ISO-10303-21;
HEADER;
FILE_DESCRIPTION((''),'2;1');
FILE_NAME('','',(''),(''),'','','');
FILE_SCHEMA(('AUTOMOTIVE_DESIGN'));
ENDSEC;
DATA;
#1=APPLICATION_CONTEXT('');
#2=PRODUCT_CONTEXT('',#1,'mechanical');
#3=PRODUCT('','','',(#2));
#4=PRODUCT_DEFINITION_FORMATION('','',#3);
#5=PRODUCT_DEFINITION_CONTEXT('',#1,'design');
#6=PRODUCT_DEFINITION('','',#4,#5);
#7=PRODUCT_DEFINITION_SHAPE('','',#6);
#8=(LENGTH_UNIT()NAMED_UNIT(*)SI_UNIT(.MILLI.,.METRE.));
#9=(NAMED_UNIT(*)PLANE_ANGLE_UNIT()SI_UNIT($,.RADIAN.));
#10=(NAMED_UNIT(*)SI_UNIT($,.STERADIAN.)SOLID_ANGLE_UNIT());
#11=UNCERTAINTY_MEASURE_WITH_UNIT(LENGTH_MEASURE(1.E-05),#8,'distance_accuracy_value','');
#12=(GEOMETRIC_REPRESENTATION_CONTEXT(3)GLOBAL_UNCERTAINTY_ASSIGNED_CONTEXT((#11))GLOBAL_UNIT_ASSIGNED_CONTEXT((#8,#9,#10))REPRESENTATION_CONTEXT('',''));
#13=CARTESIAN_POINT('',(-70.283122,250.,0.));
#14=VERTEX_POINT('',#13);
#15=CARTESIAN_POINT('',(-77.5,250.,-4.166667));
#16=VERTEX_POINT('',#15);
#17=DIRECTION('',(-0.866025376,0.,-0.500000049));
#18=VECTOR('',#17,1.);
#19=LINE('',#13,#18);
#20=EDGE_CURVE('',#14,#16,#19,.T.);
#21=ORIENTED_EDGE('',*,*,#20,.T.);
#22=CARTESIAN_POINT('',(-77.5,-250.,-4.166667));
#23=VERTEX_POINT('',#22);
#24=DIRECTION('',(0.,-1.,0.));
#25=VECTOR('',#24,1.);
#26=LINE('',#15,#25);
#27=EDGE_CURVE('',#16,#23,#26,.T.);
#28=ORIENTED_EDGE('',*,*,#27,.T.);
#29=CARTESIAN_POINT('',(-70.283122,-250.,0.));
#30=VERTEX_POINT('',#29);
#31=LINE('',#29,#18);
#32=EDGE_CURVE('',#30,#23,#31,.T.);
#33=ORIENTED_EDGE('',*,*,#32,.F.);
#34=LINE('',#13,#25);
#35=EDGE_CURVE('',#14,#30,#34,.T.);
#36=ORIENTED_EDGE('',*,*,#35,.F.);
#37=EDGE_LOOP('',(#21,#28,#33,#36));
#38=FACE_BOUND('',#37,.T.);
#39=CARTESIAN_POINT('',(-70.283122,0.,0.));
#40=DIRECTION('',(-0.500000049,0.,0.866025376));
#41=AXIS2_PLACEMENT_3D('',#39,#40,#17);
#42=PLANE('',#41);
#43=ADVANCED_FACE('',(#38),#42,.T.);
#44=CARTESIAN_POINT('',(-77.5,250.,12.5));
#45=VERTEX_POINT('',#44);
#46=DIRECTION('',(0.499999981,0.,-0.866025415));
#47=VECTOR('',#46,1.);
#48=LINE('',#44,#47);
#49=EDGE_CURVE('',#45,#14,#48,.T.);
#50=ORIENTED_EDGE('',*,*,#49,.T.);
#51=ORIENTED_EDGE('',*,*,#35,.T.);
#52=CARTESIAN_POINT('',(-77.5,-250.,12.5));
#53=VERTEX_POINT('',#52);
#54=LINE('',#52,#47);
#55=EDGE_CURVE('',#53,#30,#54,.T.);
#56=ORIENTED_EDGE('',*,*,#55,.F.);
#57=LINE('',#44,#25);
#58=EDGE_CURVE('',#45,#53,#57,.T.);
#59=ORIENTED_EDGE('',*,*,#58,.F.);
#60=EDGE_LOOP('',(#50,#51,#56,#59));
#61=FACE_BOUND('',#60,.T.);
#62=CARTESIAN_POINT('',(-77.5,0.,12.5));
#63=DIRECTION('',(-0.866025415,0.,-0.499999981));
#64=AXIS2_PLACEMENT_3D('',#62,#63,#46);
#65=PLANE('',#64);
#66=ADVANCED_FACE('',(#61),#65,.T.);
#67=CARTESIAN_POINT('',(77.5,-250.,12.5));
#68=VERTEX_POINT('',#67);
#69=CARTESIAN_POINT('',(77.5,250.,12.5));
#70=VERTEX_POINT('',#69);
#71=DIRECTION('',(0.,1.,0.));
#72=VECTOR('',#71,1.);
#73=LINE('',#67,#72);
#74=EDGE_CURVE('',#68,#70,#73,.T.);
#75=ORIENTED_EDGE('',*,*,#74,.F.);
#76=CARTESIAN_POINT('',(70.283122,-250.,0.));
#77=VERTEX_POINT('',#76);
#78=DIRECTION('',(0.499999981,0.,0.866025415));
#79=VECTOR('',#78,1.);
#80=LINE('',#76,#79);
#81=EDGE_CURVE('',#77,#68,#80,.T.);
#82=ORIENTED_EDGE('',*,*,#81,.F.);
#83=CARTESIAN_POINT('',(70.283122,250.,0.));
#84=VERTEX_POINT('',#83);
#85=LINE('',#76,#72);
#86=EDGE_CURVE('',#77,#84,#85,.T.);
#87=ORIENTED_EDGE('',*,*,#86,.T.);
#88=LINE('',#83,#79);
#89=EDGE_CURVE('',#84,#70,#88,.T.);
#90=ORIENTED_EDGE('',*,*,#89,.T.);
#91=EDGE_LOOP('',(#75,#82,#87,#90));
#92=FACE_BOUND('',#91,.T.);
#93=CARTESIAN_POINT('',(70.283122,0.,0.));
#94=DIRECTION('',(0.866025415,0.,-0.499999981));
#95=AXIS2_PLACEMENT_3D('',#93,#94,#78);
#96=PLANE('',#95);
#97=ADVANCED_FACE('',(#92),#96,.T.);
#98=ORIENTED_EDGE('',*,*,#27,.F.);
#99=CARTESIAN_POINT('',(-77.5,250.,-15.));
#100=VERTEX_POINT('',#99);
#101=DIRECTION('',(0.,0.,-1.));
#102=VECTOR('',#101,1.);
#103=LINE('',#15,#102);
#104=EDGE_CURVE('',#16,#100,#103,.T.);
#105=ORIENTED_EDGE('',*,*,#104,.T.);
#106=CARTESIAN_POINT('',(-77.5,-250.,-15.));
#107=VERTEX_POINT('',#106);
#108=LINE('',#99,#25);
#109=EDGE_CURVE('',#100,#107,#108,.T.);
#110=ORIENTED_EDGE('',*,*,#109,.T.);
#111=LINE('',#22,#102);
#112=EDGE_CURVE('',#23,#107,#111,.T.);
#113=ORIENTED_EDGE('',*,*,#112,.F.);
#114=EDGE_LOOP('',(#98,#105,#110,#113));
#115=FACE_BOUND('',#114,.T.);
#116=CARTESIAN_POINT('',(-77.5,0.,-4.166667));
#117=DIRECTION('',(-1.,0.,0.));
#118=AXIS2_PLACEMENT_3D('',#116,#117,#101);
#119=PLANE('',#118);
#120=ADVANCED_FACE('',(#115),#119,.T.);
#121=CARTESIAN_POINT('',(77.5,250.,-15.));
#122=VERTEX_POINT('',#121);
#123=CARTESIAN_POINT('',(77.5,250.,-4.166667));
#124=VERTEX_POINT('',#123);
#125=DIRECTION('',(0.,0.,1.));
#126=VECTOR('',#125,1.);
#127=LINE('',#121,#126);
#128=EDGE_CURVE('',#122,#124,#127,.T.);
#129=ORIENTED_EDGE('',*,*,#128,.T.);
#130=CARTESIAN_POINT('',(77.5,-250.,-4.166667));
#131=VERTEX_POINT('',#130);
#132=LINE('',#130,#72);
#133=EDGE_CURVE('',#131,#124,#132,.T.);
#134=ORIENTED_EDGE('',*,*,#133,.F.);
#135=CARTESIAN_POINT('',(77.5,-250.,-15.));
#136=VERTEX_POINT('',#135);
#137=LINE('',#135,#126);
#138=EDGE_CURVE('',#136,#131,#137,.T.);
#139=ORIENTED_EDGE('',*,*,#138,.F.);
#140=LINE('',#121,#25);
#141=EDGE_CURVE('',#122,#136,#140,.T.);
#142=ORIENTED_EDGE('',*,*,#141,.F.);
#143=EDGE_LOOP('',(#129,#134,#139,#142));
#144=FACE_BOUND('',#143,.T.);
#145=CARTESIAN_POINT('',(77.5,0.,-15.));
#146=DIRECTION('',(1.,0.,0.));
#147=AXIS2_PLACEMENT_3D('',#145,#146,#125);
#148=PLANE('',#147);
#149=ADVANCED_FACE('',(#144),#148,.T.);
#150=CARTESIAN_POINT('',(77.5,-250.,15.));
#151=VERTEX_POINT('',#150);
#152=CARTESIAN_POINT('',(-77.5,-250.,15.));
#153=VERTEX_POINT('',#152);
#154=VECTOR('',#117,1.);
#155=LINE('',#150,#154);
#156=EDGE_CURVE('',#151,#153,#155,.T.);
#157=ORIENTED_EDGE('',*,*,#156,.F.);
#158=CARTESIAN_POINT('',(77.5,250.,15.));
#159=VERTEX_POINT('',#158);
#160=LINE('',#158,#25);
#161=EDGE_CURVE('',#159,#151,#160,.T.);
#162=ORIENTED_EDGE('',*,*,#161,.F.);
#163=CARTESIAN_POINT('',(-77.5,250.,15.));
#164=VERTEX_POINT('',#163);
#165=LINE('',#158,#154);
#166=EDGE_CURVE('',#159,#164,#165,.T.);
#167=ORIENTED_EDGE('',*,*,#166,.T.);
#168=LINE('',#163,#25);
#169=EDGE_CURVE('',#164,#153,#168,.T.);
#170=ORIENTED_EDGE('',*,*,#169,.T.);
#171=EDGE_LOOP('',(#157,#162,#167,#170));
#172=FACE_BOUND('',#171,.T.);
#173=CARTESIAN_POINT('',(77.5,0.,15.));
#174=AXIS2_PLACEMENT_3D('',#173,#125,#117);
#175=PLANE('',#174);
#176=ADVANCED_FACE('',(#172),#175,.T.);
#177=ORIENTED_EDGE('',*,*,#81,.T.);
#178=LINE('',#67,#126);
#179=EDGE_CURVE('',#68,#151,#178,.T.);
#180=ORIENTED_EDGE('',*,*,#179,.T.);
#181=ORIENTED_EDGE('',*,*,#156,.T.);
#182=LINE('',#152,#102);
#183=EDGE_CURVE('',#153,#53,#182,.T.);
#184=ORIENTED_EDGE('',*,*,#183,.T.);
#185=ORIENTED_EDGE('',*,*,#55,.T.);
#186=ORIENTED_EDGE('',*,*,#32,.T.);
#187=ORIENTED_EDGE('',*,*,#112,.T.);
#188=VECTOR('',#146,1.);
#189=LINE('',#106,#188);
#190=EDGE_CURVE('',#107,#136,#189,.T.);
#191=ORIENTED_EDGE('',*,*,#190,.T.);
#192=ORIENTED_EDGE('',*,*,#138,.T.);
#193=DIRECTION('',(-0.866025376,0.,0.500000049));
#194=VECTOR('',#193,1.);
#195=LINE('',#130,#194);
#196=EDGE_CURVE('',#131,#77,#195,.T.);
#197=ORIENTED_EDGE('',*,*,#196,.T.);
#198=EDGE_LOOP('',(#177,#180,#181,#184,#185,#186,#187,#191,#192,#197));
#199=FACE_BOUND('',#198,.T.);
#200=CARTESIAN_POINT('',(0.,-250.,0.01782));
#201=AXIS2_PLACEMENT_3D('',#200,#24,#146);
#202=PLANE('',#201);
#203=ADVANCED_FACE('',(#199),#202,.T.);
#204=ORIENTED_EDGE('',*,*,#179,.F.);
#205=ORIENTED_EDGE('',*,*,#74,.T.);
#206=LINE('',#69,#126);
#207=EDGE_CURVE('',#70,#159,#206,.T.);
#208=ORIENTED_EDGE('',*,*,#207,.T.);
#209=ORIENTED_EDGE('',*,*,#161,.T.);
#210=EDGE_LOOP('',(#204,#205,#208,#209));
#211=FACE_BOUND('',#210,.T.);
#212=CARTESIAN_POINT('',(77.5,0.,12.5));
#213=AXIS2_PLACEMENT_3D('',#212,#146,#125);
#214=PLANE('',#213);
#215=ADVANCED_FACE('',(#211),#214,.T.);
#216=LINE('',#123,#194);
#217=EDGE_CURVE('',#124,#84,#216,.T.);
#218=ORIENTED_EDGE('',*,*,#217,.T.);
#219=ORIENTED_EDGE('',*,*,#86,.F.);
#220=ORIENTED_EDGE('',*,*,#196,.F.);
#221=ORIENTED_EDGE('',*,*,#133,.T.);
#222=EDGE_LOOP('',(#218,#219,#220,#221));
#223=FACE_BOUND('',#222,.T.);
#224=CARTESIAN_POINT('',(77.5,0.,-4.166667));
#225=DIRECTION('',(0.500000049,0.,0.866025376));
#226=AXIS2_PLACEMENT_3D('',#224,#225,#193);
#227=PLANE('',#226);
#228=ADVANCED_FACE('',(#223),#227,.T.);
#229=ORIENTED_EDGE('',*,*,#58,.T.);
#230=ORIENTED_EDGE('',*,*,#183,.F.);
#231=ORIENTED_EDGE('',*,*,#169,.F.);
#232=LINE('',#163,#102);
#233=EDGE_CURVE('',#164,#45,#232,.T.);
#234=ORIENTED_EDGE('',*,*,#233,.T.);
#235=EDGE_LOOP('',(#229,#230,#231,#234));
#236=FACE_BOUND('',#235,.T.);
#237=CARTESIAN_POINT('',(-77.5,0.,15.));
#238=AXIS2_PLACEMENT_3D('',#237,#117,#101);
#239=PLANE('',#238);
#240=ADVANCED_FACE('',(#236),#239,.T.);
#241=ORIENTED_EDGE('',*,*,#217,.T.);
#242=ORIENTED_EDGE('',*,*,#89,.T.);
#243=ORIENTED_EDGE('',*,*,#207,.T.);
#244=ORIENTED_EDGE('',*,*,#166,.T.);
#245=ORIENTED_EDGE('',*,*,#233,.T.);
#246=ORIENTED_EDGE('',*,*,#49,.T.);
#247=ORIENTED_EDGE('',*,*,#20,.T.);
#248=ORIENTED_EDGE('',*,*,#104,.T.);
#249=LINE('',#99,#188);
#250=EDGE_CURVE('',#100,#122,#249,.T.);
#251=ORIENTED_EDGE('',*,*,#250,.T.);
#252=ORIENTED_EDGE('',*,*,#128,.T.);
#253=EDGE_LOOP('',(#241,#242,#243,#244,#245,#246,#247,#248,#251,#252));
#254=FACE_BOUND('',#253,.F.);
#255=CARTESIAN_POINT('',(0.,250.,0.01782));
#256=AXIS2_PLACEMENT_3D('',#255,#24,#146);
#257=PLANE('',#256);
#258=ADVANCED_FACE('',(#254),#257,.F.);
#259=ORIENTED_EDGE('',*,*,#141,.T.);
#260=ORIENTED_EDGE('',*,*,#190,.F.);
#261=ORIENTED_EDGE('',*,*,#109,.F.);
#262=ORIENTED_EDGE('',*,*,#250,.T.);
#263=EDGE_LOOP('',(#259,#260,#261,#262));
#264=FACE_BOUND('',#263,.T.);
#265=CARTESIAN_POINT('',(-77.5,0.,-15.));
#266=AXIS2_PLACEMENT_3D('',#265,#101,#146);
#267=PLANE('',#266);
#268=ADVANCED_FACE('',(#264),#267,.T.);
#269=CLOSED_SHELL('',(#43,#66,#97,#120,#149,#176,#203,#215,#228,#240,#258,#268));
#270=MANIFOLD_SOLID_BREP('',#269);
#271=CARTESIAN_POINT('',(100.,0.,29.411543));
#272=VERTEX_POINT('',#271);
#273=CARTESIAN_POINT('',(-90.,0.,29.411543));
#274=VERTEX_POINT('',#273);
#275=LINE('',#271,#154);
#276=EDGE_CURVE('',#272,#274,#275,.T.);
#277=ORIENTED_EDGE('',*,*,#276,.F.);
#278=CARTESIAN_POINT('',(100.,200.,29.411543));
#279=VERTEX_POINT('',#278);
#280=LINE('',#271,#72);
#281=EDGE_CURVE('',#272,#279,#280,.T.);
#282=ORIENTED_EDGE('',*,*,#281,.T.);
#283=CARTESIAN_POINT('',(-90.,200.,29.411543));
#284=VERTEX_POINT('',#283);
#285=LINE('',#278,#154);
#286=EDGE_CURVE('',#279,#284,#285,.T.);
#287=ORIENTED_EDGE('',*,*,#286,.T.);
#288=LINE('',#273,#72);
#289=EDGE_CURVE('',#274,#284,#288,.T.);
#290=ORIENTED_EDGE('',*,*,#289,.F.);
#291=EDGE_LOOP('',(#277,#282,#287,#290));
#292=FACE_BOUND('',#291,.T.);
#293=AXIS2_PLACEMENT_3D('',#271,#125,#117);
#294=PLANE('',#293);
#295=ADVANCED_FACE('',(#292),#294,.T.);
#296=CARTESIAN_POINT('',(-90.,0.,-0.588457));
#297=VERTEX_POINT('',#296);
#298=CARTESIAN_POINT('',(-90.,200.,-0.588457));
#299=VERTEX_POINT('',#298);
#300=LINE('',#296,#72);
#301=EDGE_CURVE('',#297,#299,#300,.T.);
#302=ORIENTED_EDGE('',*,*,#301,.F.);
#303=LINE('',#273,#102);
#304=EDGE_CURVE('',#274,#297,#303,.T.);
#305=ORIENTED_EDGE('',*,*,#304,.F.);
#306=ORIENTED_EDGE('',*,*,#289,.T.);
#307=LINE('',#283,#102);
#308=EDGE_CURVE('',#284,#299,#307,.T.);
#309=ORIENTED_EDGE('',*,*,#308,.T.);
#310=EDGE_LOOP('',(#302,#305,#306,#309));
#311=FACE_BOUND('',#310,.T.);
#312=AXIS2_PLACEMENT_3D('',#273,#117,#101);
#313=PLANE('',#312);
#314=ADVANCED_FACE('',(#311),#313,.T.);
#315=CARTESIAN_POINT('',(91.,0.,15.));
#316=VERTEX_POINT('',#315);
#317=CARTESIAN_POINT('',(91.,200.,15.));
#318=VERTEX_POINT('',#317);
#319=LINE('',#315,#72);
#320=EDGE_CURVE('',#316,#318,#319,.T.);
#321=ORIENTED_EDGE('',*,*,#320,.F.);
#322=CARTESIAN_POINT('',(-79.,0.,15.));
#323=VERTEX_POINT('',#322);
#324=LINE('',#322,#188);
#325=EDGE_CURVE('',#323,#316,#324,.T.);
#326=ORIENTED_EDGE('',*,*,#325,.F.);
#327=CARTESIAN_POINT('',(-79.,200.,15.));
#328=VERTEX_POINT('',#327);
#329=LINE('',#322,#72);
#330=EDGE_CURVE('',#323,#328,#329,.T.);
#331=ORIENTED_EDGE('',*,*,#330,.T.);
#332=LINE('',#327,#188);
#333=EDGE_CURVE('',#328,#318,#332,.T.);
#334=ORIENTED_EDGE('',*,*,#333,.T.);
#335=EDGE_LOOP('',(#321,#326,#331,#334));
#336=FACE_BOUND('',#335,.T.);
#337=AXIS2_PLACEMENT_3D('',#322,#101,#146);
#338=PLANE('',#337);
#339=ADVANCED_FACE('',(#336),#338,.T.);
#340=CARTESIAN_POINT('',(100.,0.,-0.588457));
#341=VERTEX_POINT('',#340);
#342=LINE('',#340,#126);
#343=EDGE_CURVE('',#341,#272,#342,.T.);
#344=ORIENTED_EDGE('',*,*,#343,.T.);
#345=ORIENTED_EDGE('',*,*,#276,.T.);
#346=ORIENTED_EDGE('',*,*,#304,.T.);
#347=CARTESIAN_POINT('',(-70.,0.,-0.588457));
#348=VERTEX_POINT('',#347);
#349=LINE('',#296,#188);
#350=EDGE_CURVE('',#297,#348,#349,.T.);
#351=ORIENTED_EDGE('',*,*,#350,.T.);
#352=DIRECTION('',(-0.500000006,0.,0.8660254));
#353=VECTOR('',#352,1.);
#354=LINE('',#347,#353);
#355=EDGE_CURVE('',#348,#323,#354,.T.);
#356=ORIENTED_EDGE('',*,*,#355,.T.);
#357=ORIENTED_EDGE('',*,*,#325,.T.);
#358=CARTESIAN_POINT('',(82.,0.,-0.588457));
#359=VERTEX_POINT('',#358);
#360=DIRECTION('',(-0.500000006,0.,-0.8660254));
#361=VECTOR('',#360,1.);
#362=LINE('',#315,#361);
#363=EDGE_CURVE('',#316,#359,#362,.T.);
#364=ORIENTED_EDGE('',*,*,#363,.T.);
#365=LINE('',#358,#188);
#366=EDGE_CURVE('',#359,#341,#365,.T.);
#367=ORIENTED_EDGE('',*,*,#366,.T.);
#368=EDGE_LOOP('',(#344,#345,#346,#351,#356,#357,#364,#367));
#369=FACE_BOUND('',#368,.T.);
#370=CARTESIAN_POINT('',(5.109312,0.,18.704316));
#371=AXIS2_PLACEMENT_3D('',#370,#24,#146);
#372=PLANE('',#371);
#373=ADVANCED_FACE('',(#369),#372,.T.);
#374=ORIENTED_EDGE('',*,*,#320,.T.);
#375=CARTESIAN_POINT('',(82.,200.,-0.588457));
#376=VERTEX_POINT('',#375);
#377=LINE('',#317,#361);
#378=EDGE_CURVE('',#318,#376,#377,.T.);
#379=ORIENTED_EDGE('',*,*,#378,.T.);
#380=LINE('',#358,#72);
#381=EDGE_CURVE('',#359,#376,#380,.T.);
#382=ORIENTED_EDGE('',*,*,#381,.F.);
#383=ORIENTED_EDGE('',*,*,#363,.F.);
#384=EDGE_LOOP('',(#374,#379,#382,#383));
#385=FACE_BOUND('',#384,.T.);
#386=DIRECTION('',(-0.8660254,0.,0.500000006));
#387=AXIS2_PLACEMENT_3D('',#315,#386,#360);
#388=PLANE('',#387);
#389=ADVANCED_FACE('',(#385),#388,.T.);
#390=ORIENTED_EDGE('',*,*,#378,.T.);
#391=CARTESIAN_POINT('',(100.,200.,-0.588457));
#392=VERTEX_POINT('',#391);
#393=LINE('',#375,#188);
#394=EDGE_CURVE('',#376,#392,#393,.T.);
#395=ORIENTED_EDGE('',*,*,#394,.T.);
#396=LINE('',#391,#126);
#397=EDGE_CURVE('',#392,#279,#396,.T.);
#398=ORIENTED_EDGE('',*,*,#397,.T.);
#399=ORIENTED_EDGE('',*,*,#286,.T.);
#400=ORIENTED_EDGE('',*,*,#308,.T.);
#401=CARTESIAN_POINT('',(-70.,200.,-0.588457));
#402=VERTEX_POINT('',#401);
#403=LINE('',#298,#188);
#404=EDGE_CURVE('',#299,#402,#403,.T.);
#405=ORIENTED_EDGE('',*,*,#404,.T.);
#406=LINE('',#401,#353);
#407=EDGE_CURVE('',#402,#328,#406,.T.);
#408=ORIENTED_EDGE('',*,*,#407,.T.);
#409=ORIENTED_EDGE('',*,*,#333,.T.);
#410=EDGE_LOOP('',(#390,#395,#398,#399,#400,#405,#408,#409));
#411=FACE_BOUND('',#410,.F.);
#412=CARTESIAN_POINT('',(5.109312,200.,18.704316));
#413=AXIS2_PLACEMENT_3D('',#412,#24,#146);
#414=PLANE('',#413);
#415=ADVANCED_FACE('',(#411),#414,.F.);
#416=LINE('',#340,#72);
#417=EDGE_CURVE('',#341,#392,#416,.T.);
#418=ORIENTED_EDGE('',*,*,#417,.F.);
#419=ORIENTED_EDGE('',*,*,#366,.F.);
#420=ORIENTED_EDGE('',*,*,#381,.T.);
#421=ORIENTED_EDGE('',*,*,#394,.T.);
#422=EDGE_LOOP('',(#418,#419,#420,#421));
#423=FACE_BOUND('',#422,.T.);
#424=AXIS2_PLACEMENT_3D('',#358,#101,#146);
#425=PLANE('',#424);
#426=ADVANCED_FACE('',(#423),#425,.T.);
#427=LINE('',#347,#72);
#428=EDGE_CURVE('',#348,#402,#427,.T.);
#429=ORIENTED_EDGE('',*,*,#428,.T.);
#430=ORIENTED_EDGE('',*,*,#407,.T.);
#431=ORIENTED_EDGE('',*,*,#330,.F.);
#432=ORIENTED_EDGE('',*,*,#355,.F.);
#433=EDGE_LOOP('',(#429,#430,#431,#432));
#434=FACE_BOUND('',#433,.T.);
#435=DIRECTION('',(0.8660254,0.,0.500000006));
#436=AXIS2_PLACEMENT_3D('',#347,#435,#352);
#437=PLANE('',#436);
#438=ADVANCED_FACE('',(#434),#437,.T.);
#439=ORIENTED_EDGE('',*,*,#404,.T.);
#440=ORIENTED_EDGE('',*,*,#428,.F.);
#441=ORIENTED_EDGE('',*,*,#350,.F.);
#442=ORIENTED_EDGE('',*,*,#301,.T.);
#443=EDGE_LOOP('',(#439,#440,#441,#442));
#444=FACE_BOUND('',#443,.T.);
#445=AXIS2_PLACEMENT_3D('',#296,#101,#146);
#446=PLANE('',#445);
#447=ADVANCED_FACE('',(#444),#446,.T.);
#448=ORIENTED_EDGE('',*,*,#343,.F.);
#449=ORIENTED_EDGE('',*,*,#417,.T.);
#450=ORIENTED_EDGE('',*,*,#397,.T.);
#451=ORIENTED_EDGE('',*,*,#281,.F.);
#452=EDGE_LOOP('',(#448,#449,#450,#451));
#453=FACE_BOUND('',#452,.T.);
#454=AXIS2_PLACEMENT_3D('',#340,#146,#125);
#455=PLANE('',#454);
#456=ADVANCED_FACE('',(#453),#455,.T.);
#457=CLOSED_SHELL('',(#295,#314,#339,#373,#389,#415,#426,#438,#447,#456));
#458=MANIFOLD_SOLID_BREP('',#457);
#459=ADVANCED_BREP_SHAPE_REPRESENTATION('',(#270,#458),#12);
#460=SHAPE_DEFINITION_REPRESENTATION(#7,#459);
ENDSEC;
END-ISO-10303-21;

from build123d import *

# Parameters (mm, degrees)
F1_DEPTH = 250
F3_DEPTH = 200


with BuildPart() as f1:
    # F0 (on Front) → F1 (new body, symmetric)
    with BuildSketch(Plane.XZ):
        Polygon((77.5, 12.5), (77.5, 15), (-77.5, 15), (-77.5, 12.5), (-70.283122, 0), (-77.5, -4.166667), (-77.5, -15), (77.5, -15), (77.5, -4.166667), (70.283122, 0), align=None)
    extrude(amount=F1_DEPTH, both=True)


with BuildPart() as f3:
    # F2 (on Front) → F3 (new body)
    with BuildSketch(Plane.XZ):
        Polygon((-90, 29.411543), (-90, -0.588457), (-70, -0.588457), (-79, 15), (91, 15), (82, -0.588457), (100, -0.588457), (100, 29.411543), align=None)
    extrude(amount=-F3_DEPTH)


solid = Compound([f1.part, f3.part])
